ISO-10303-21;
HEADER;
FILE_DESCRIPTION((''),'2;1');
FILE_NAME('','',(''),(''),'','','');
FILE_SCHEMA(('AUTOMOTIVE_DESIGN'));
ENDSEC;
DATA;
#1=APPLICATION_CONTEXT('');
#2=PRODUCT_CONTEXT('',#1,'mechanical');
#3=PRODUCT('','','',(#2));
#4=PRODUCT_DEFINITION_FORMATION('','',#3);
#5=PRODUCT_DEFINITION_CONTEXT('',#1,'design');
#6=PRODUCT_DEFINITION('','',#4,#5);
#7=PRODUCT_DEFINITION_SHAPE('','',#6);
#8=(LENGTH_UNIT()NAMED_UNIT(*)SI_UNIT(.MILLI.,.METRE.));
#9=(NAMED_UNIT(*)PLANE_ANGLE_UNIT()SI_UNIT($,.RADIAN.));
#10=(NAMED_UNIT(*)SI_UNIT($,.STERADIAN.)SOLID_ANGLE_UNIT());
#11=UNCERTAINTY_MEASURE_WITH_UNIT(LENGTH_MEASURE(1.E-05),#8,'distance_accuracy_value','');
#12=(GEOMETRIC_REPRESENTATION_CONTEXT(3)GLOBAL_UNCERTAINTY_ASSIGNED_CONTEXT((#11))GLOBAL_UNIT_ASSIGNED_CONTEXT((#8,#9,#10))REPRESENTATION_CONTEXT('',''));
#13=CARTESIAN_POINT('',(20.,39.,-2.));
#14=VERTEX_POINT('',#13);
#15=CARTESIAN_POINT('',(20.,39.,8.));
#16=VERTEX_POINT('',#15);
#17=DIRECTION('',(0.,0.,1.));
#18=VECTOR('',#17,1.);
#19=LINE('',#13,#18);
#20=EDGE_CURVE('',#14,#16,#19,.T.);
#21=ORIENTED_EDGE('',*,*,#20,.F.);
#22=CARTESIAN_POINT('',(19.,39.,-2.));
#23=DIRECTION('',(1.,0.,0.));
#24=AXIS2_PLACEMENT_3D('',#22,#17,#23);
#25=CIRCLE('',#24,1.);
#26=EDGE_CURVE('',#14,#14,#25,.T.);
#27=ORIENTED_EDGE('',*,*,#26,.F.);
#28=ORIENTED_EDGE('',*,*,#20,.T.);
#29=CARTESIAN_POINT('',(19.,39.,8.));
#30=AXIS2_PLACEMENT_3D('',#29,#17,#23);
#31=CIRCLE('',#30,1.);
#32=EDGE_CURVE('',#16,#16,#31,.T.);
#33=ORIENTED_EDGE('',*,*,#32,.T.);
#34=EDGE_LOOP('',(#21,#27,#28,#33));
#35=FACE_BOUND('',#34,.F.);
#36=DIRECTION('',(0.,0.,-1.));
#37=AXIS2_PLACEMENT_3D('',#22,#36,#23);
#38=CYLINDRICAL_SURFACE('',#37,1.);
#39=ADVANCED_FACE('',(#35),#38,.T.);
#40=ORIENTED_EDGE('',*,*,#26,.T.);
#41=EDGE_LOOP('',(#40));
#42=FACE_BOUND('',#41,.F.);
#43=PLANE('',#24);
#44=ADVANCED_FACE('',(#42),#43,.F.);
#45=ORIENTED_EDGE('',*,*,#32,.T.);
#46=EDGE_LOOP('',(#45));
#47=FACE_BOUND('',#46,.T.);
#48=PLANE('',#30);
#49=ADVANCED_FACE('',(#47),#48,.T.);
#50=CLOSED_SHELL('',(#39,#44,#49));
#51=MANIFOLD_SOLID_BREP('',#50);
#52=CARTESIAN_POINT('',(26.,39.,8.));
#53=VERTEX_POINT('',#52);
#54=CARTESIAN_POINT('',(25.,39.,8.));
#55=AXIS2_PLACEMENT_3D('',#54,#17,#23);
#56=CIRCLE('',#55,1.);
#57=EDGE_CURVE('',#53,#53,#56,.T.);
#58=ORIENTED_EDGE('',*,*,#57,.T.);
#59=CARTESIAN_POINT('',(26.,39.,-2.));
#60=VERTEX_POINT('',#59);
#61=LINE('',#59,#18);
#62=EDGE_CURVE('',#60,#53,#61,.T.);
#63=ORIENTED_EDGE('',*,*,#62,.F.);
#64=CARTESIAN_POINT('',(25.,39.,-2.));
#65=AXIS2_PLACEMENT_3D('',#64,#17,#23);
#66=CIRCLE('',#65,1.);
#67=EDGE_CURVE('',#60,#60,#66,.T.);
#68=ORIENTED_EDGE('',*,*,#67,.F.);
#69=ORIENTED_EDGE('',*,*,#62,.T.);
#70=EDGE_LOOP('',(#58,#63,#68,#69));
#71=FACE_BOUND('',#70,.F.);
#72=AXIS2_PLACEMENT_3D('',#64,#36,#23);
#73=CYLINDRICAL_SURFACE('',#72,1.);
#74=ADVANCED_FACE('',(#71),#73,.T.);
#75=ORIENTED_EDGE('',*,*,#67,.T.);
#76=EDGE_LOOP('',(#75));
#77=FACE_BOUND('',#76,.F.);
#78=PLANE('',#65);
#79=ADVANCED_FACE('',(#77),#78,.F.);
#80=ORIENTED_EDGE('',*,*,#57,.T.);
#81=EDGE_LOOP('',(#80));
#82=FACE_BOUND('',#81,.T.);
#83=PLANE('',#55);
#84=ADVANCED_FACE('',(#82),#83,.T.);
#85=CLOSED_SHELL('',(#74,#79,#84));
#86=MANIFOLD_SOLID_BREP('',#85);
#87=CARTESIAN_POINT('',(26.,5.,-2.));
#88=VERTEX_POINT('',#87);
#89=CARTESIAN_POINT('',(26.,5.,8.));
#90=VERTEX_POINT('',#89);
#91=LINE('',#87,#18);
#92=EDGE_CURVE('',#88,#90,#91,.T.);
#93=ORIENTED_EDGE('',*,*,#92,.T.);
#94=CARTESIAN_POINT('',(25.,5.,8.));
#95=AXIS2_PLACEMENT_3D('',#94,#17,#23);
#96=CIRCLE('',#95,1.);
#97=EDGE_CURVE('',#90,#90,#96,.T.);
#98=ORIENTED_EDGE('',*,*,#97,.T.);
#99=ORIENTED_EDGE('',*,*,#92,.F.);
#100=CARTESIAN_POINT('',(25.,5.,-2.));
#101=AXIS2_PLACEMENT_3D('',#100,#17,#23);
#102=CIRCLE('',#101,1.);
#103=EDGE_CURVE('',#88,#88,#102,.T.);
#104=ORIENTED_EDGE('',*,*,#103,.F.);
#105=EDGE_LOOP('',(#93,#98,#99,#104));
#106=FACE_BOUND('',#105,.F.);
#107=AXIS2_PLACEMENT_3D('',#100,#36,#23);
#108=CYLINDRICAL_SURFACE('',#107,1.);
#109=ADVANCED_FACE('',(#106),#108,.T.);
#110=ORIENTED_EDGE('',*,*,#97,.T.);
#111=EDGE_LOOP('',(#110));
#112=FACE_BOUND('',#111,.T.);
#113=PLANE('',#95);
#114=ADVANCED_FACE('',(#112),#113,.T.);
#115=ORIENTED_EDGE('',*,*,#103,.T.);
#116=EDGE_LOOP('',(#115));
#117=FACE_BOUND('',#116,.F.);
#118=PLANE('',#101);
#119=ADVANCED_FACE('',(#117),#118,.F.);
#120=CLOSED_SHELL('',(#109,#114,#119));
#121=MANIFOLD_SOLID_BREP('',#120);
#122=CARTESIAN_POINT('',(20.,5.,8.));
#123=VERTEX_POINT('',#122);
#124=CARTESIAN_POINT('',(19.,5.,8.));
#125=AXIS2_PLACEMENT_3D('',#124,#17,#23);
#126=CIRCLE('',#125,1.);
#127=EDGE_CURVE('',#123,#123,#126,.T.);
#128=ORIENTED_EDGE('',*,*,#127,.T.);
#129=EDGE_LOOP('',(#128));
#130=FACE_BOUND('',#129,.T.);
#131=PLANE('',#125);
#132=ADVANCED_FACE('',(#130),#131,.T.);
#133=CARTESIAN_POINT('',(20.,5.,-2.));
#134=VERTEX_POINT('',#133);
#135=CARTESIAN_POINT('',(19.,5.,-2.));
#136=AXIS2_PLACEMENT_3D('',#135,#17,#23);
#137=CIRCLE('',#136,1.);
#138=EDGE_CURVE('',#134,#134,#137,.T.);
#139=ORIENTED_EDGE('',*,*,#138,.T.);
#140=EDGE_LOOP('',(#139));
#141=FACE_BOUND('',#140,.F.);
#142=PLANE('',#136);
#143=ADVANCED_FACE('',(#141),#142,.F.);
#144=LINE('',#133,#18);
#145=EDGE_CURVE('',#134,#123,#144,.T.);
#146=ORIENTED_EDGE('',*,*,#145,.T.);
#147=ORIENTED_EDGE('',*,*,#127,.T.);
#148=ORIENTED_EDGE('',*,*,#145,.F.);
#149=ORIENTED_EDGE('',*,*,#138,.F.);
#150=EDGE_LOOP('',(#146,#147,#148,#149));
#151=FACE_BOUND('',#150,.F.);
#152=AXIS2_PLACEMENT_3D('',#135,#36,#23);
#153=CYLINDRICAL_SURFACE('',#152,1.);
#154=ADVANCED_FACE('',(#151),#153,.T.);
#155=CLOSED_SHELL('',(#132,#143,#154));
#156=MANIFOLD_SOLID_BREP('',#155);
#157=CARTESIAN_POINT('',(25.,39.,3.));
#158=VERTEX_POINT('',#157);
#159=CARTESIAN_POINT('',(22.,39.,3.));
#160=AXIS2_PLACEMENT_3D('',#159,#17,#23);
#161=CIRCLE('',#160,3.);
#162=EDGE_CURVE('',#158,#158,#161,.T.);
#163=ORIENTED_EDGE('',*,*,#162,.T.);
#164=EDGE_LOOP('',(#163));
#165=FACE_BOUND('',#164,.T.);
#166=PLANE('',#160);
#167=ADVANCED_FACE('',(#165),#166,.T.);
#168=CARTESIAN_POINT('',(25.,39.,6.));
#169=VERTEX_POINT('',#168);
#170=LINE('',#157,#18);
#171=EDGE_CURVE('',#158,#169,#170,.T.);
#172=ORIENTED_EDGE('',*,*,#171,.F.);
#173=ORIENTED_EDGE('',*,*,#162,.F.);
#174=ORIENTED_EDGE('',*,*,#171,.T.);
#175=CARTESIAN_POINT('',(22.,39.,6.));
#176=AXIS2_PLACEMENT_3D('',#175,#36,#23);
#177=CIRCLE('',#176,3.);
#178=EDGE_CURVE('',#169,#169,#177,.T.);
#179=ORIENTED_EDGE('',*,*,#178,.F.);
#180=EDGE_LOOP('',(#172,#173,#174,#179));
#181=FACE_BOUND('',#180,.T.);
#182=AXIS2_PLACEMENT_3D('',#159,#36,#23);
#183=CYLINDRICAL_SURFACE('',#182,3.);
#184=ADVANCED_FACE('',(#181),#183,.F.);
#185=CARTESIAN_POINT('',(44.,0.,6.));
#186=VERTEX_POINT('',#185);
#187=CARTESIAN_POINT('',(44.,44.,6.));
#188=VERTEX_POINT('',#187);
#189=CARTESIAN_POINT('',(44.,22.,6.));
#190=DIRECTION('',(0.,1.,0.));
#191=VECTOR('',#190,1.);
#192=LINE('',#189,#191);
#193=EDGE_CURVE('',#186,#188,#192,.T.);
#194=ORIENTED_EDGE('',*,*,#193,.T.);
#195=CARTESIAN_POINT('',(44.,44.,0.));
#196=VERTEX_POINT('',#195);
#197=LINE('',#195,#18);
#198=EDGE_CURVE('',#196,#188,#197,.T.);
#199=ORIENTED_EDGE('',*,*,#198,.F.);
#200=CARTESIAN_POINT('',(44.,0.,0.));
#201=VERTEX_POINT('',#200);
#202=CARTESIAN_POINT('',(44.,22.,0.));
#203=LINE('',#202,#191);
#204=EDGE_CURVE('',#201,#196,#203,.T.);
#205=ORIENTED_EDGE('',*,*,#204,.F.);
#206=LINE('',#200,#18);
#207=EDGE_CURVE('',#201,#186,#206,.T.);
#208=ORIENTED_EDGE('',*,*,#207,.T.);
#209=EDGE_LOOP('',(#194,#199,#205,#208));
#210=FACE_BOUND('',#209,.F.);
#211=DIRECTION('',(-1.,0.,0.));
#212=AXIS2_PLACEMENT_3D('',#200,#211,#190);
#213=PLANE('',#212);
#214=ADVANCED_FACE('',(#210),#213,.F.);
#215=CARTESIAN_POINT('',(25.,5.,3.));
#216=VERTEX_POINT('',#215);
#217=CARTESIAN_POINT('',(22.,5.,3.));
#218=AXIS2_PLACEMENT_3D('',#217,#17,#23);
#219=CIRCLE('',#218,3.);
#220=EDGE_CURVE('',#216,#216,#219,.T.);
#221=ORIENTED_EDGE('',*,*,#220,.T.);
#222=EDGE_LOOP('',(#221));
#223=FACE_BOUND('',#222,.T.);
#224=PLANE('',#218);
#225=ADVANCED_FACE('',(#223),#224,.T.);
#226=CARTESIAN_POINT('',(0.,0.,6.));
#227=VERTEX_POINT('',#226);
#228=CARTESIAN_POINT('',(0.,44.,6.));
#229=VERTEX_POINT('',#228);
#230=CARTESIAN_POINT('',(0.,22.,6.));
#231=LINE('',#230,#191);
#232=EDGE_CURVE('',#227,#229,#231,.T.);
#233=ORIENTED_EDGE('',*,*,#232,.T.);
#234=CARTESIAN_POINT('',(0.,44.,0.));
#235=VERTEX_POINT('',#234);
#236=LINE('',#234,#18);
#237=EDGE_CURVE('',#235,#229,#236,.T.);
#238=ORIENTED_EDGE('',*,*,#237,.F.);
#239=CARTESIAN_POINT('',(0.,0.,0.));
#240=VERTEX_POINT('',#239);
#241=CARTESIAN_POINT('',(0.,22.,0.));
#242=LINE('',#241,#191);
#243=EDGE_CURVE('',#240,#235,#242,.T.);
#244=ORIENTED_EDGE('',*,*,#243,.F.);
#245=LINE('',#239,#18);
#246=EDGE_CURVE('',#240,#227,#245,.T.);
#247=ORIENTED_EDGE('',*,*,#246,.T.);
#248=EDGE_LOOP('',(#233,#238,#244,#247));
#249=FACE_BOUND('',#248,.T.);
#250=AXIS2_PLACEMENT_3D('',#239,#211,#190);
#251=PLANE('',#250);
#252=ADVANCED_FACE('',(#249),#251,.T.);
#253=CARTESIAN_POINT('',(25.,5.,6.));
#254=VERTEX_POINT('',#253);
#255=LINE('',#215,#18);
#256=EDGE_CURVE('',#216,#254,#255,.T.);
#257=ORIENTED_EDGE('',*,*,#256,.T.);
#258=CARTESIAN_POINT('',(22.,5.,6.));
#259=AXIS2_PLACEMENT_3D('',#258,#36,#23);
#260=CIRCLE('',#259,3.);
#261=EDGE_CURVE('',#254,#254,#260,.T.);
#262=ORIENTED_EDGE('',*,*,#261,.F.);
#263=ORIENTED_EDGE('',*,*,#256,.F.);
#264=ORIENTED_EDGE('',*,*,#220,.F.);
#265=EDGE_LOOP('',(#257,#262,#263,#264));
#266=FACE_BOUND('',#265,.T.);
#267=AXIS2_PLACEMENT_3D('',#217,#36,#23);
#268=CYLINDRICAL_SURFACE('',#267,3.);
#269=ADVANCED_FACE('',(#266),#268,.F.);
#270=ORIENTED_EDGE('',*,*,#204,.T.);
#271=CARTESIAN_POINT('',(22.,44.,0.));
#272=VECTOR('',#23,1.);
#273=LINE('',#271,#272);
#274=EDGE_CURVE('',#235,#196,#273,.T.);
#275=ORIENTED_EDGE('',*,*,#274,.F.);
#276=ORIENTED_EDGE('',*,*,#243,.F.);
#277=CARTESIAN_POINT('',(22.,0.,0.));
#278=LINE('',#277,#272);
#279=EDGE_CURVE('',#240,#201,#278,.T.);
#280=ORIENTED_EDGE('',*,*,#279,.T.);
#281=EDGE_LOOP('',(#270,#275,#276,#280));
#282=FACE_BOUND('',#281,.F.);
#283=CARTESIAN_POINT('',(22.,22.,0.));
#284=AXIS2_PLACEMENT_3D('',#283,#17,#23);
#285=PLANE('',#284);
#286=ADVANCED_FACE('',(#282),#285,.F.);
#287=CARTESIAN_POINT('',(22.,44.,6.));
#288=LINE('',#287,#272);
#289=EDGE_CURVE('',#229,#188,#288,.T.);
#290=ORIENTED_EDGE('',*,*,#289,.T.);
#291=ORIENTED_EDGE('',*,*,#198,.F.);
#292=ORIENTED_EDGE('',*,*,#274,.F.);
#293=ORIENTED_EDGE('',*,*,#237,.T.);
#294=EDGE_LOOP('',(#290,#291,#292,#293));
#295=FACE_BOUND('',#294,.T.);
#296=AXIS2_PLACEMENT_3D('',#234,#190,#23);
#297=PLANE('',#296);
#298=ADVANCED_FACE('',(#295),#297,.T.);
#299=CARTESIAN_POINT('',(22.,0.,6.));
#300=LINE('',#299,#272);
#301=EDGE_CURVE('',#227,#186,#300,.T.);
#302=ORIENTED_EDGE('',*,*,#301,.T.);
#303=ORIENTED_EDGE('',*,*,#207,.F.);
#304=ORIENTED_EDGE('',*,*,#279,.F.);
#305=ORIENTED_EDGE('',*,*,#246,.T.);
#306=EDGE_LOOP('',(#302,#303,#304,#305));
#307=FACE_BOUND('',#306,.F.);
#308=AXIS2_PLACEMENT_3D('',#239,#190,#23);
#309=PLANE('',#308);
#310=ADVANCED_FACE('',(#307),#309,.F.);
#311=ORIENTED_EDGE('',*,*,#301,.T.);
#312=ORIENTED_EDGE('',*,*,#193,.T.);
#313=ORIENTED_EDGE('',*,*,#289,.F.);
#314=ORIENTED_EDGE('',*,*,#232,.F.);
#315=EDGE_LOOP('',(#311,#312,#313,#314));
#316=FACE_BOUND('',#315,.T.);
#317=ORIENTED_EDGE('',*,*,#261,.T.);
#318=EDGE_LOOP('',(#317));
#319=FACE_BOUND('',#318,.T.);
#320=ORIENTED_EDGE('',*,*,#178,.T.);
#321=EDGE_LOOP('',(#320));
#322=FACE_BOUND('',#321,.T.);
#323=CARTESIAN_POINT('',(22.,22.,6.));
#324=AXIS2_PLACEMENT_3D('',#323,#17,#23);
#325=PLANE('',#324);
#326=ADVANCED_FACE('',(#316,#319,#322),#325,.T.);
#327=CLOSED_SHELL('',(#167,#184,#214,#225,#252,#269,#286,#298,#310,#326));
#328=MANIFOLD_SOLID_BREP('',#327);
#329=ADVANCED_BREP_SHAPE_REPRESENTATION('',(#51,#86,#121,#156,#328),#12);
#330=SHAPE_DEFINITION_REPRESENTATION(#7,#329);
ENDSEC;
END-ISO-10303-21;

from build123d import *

# Parameters (mm, degrees)
CYLINDER_R        = 3
CYLINDER_DEPTH    = 10
CYLINDER001_R     = 3
CYLINDER001_DEPTH = 10
BOX_W             = 44
BOX_H             = 44
BOX_DEPTH         = 6
CYLINDER002_R     = 1
CYLINDER002_DEPTH = 10
CYLINDER003_R     = 1
CYLINDER003_DEPTH = 10
CYLINDER004_R     = 1
CYLINDER004_DEPTH = 10
CYLINDER005_R     = 1
CYLINDER005_DEPTH = 10


with BuildPart() as cylinder:
    # Cylinder → Cylinder (new body)
    with BuildSketch(Plane(origin=(22, 5, 3), x_dir=(1, 0, 0), z_dir=(0, 0, 1))):
        Circle(CYLINDER_R)
    extrude(amount=CYLINDER_DEPTH)


with BuildPart() as cylinder001:
    # Cylinder001 → Cylinder001 (new body)
    with BuildSketch(Plane(origin=(22, 39, 3), x_dir=(1, 0, 0), z_dir=(0, 0, 1))):
        Circle(CYLINDER001_R)
    extrude(amount=CYLINDER001_DEPTH)


with BuildPart() as cut001:
    # Box → Box (new body)
    with BuildSketch(Plane.XY):
        with Locations((22, 22)):
            Rectangle(BOX_W, BOX_H)
    extrude(amount=BOX_DEPTH)

    # Cut: cut Cylinder001
    add(cylinder001.part, mode=Mode.SUBTRACT)

    # Cut001: cut Cylinder
    add(cylinder.part, mode=Mode.SUBTRACT)


with BuildPart() as cylinder002:
    # Cylinder002 → Cylinder002 (new body)
    with BuildSketch(Plane(origin=(19, 5, -2), x_dir=(1, 0, 0), z_dir=(0, 0, 1))):
        Circle(CYLINDER002_R)
    extrude(amount=CYLINDER002_DEPTH)


with BuildPart() as cylinder003:
    # Cylinder003 → Cylinder003 (new body)
    with BuildSketch(Plane(origin=(25, 5, -2), x_dir=(1, 0, 0), z_dir=(0, 0, 1))):
        Circle(CYLINDER003_R)
    extrude(amount=CYLINDER003_DEPTH)


with BuildPart() as cylinder004:
    # Cylinder004 → Cylinder004 (new body)
    with BuildSketch(Plane(origin=(19, 39, -2), x_dir=(1, 0, 0), z_dir=(0, 0, 1))):
        Circle(CYLINDER004_R)
    extrude(amount=CYLINDER004_DEPTH)


with BuildPart() as cylinder005:
    # Cylinder005 → Cylinder005 (new body)
    with BuildSketch(Plane(origin=(25, 39, -2), x_dir=(1, 0, 0), z_dir=(0, 0, 1))):
        Circle(CYLINDER005_R)
    extrude(amount=CYLINDER005_DEPTH)


solid = Compound([cut001.part, cylinder002.part, cylinder003.part, cylinder004.part, cylinder005.part])
